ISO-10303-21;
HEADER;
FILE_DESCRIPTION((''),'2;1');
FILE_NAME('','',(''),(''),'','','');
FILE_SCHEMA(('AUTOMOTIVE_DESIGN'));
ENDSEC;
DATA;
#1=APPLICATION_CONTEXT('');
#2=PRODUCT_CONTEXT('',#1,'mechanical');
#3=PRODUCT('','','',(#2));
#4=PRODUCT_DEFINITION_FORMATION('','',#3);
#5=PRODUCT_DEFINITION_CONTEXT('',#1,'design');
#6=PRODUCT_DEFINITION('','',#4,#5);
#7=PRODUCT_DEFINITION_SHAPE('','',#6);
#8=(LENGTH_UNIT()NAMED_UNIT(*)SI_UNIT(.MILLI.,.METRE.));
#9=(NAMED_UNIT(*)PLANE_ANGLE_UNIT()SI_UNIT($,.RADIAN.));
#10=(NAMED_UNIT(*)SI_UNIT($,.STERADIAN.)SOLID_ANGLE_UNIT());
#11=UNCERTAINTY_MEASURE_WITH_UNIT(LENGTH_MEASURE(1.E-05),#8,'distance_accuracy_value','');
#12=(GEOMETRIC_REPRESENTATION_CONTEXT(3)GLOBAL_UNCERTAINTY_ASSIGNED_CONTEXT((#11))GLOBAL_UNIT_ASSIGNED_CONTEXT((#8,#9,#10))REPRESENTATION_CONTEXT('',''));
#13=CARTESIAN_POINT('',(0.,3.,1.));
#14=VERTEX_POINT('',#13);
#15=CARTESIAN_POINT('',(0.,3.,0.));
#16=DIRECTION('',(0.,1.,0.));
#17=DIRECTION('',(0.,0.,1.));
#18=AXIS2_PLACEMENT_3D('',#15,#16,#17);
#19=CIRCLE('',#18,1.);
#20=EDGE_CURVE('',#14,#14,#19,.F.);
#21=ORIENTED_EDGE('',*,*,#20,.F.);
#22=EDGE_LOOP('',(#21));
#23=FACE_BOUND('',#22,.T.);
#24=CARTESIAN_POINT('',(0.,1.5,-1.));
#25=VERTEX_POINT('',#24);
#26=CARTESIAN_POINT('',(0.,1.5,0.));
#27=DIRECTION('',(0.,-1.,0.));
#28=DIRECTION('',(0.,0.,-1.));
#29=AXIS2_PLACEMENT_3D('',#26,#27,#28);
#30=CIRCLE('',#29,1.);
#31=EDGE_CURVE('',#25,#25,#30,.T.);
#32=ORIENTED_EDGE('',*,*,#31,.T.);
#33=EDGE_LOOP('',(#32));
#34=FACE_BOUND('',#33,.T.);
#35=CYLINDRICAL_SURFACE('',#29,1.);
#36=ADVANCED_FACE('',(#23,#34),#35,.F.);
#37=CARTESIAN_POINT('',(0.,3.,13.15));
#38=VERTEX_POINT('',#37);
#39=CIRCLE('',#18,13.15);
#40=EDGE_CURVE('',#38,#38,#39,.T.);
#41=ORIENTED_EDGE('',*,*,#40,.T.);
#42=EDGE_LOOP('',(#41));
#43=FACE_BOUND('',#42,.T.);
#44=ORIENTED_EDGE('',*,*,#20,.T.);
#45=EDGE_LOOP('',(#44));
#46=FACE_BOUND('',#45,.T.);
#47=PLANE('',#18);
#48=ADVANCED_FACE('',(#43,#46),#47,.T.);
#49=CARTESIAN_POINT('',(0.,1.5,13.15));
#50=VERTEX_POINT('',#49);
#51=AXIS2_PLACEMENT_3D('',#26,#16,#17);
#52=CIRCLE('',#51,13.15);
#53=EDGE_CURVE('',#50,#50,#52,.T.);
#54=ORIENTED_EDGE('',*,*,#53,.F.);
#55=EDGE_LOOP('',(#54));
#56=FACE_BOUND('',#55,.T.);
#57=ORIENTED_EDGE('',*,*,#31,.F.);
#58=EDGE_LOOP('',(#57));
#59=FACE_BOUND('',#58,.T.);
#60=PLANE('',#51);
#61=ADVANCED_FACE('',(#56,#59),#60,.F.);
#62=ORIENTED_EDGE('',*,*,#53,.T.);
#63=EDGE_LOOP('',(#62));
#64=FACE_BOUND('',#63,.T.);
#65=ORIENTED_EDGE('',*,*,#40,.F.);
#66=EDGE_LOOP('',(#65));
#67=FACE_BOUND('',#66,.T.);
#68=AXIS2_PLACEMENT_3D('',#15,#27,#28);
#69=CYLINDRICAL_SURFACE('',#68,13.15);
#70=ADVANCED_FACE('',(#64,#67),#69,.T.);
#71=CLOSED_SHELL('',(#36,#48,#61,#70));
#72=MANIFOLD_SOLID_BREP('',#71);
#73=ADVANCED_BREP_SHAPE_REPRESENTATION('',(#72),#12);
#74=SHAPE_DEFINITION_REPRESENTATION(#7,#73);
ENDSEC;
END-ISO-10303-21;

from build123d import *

# Parameters (mm, degrees)
SKETCH1_R           = 10.5
SKETCH1_R_2         = 1
BOSS_EXTRUDE1_DEPTH = 1.5
SKETCH2_R           = 13.15
SKETCH2_R_2         = 10.5
SKETCH2_R_3         = 1
BOSS_EXTRUDE2_DEPTH = 1.5
SKETCH4_R           = 10.5
CUT_EXTRUDE1_DEPTH  = 1.5


with BuildPart() as part:
    # Sketch1 → Boss-Extrude1 (new body)
    with BuildSketch(Plane(origin=(0, 0, 0), x_dir=(1, 0, 0), z_dir=(0, 1, 0))):
        with Locations(Location((0, 0, 0), (0, 0, 270))):
            Circle(SKETCH1_R)
        with Locations(Location((0, 0, 0), (0, 0, 270))):
            Circle(SKETCH1_R_2, mode=Mode.SUBTRACT)
    extrude(amount=BOSS_EXTRUDE1_DEPTH)

    # Sketch2 → Boss-Extrude2 (add)
    with BuildSketch(Plane(origin=(0, 1.5, 0), x_dir=(1, 0, 0), z_dir=(0, 1, 0))):
        with Locations(Location((0, 0, 0), (0, 0, 270))):
            Circle(SKETCH2_R)
        with Locations(Location((0, 0, 0), (0, 0, 270))):
            Circle(SKETCH2_R_2, mode=Mode.SUBTRACT)
        with Locations(Location((0, 0, 0), (0, 0, 270))):
            Circle(SKETCH2_R_2)
        with Locations(Location((0, 0, 0), (0, 0, 270))):
            Circle(SKETCH2_R_3, mode=Mode.SUBTRACT)
    extrude(amount=BOSS_EXTRUDE2_DEPTH)

    # Sketch4 → Cut-Extrude1 (cut)
    with BuildSketch(Plane.XZ):
        Circle(SKETCH4_R)
    extrude(amount=-CUT_EXTRUDE1_DEPTH, mode=Mode.SUBTRACT)


solid = part.part
